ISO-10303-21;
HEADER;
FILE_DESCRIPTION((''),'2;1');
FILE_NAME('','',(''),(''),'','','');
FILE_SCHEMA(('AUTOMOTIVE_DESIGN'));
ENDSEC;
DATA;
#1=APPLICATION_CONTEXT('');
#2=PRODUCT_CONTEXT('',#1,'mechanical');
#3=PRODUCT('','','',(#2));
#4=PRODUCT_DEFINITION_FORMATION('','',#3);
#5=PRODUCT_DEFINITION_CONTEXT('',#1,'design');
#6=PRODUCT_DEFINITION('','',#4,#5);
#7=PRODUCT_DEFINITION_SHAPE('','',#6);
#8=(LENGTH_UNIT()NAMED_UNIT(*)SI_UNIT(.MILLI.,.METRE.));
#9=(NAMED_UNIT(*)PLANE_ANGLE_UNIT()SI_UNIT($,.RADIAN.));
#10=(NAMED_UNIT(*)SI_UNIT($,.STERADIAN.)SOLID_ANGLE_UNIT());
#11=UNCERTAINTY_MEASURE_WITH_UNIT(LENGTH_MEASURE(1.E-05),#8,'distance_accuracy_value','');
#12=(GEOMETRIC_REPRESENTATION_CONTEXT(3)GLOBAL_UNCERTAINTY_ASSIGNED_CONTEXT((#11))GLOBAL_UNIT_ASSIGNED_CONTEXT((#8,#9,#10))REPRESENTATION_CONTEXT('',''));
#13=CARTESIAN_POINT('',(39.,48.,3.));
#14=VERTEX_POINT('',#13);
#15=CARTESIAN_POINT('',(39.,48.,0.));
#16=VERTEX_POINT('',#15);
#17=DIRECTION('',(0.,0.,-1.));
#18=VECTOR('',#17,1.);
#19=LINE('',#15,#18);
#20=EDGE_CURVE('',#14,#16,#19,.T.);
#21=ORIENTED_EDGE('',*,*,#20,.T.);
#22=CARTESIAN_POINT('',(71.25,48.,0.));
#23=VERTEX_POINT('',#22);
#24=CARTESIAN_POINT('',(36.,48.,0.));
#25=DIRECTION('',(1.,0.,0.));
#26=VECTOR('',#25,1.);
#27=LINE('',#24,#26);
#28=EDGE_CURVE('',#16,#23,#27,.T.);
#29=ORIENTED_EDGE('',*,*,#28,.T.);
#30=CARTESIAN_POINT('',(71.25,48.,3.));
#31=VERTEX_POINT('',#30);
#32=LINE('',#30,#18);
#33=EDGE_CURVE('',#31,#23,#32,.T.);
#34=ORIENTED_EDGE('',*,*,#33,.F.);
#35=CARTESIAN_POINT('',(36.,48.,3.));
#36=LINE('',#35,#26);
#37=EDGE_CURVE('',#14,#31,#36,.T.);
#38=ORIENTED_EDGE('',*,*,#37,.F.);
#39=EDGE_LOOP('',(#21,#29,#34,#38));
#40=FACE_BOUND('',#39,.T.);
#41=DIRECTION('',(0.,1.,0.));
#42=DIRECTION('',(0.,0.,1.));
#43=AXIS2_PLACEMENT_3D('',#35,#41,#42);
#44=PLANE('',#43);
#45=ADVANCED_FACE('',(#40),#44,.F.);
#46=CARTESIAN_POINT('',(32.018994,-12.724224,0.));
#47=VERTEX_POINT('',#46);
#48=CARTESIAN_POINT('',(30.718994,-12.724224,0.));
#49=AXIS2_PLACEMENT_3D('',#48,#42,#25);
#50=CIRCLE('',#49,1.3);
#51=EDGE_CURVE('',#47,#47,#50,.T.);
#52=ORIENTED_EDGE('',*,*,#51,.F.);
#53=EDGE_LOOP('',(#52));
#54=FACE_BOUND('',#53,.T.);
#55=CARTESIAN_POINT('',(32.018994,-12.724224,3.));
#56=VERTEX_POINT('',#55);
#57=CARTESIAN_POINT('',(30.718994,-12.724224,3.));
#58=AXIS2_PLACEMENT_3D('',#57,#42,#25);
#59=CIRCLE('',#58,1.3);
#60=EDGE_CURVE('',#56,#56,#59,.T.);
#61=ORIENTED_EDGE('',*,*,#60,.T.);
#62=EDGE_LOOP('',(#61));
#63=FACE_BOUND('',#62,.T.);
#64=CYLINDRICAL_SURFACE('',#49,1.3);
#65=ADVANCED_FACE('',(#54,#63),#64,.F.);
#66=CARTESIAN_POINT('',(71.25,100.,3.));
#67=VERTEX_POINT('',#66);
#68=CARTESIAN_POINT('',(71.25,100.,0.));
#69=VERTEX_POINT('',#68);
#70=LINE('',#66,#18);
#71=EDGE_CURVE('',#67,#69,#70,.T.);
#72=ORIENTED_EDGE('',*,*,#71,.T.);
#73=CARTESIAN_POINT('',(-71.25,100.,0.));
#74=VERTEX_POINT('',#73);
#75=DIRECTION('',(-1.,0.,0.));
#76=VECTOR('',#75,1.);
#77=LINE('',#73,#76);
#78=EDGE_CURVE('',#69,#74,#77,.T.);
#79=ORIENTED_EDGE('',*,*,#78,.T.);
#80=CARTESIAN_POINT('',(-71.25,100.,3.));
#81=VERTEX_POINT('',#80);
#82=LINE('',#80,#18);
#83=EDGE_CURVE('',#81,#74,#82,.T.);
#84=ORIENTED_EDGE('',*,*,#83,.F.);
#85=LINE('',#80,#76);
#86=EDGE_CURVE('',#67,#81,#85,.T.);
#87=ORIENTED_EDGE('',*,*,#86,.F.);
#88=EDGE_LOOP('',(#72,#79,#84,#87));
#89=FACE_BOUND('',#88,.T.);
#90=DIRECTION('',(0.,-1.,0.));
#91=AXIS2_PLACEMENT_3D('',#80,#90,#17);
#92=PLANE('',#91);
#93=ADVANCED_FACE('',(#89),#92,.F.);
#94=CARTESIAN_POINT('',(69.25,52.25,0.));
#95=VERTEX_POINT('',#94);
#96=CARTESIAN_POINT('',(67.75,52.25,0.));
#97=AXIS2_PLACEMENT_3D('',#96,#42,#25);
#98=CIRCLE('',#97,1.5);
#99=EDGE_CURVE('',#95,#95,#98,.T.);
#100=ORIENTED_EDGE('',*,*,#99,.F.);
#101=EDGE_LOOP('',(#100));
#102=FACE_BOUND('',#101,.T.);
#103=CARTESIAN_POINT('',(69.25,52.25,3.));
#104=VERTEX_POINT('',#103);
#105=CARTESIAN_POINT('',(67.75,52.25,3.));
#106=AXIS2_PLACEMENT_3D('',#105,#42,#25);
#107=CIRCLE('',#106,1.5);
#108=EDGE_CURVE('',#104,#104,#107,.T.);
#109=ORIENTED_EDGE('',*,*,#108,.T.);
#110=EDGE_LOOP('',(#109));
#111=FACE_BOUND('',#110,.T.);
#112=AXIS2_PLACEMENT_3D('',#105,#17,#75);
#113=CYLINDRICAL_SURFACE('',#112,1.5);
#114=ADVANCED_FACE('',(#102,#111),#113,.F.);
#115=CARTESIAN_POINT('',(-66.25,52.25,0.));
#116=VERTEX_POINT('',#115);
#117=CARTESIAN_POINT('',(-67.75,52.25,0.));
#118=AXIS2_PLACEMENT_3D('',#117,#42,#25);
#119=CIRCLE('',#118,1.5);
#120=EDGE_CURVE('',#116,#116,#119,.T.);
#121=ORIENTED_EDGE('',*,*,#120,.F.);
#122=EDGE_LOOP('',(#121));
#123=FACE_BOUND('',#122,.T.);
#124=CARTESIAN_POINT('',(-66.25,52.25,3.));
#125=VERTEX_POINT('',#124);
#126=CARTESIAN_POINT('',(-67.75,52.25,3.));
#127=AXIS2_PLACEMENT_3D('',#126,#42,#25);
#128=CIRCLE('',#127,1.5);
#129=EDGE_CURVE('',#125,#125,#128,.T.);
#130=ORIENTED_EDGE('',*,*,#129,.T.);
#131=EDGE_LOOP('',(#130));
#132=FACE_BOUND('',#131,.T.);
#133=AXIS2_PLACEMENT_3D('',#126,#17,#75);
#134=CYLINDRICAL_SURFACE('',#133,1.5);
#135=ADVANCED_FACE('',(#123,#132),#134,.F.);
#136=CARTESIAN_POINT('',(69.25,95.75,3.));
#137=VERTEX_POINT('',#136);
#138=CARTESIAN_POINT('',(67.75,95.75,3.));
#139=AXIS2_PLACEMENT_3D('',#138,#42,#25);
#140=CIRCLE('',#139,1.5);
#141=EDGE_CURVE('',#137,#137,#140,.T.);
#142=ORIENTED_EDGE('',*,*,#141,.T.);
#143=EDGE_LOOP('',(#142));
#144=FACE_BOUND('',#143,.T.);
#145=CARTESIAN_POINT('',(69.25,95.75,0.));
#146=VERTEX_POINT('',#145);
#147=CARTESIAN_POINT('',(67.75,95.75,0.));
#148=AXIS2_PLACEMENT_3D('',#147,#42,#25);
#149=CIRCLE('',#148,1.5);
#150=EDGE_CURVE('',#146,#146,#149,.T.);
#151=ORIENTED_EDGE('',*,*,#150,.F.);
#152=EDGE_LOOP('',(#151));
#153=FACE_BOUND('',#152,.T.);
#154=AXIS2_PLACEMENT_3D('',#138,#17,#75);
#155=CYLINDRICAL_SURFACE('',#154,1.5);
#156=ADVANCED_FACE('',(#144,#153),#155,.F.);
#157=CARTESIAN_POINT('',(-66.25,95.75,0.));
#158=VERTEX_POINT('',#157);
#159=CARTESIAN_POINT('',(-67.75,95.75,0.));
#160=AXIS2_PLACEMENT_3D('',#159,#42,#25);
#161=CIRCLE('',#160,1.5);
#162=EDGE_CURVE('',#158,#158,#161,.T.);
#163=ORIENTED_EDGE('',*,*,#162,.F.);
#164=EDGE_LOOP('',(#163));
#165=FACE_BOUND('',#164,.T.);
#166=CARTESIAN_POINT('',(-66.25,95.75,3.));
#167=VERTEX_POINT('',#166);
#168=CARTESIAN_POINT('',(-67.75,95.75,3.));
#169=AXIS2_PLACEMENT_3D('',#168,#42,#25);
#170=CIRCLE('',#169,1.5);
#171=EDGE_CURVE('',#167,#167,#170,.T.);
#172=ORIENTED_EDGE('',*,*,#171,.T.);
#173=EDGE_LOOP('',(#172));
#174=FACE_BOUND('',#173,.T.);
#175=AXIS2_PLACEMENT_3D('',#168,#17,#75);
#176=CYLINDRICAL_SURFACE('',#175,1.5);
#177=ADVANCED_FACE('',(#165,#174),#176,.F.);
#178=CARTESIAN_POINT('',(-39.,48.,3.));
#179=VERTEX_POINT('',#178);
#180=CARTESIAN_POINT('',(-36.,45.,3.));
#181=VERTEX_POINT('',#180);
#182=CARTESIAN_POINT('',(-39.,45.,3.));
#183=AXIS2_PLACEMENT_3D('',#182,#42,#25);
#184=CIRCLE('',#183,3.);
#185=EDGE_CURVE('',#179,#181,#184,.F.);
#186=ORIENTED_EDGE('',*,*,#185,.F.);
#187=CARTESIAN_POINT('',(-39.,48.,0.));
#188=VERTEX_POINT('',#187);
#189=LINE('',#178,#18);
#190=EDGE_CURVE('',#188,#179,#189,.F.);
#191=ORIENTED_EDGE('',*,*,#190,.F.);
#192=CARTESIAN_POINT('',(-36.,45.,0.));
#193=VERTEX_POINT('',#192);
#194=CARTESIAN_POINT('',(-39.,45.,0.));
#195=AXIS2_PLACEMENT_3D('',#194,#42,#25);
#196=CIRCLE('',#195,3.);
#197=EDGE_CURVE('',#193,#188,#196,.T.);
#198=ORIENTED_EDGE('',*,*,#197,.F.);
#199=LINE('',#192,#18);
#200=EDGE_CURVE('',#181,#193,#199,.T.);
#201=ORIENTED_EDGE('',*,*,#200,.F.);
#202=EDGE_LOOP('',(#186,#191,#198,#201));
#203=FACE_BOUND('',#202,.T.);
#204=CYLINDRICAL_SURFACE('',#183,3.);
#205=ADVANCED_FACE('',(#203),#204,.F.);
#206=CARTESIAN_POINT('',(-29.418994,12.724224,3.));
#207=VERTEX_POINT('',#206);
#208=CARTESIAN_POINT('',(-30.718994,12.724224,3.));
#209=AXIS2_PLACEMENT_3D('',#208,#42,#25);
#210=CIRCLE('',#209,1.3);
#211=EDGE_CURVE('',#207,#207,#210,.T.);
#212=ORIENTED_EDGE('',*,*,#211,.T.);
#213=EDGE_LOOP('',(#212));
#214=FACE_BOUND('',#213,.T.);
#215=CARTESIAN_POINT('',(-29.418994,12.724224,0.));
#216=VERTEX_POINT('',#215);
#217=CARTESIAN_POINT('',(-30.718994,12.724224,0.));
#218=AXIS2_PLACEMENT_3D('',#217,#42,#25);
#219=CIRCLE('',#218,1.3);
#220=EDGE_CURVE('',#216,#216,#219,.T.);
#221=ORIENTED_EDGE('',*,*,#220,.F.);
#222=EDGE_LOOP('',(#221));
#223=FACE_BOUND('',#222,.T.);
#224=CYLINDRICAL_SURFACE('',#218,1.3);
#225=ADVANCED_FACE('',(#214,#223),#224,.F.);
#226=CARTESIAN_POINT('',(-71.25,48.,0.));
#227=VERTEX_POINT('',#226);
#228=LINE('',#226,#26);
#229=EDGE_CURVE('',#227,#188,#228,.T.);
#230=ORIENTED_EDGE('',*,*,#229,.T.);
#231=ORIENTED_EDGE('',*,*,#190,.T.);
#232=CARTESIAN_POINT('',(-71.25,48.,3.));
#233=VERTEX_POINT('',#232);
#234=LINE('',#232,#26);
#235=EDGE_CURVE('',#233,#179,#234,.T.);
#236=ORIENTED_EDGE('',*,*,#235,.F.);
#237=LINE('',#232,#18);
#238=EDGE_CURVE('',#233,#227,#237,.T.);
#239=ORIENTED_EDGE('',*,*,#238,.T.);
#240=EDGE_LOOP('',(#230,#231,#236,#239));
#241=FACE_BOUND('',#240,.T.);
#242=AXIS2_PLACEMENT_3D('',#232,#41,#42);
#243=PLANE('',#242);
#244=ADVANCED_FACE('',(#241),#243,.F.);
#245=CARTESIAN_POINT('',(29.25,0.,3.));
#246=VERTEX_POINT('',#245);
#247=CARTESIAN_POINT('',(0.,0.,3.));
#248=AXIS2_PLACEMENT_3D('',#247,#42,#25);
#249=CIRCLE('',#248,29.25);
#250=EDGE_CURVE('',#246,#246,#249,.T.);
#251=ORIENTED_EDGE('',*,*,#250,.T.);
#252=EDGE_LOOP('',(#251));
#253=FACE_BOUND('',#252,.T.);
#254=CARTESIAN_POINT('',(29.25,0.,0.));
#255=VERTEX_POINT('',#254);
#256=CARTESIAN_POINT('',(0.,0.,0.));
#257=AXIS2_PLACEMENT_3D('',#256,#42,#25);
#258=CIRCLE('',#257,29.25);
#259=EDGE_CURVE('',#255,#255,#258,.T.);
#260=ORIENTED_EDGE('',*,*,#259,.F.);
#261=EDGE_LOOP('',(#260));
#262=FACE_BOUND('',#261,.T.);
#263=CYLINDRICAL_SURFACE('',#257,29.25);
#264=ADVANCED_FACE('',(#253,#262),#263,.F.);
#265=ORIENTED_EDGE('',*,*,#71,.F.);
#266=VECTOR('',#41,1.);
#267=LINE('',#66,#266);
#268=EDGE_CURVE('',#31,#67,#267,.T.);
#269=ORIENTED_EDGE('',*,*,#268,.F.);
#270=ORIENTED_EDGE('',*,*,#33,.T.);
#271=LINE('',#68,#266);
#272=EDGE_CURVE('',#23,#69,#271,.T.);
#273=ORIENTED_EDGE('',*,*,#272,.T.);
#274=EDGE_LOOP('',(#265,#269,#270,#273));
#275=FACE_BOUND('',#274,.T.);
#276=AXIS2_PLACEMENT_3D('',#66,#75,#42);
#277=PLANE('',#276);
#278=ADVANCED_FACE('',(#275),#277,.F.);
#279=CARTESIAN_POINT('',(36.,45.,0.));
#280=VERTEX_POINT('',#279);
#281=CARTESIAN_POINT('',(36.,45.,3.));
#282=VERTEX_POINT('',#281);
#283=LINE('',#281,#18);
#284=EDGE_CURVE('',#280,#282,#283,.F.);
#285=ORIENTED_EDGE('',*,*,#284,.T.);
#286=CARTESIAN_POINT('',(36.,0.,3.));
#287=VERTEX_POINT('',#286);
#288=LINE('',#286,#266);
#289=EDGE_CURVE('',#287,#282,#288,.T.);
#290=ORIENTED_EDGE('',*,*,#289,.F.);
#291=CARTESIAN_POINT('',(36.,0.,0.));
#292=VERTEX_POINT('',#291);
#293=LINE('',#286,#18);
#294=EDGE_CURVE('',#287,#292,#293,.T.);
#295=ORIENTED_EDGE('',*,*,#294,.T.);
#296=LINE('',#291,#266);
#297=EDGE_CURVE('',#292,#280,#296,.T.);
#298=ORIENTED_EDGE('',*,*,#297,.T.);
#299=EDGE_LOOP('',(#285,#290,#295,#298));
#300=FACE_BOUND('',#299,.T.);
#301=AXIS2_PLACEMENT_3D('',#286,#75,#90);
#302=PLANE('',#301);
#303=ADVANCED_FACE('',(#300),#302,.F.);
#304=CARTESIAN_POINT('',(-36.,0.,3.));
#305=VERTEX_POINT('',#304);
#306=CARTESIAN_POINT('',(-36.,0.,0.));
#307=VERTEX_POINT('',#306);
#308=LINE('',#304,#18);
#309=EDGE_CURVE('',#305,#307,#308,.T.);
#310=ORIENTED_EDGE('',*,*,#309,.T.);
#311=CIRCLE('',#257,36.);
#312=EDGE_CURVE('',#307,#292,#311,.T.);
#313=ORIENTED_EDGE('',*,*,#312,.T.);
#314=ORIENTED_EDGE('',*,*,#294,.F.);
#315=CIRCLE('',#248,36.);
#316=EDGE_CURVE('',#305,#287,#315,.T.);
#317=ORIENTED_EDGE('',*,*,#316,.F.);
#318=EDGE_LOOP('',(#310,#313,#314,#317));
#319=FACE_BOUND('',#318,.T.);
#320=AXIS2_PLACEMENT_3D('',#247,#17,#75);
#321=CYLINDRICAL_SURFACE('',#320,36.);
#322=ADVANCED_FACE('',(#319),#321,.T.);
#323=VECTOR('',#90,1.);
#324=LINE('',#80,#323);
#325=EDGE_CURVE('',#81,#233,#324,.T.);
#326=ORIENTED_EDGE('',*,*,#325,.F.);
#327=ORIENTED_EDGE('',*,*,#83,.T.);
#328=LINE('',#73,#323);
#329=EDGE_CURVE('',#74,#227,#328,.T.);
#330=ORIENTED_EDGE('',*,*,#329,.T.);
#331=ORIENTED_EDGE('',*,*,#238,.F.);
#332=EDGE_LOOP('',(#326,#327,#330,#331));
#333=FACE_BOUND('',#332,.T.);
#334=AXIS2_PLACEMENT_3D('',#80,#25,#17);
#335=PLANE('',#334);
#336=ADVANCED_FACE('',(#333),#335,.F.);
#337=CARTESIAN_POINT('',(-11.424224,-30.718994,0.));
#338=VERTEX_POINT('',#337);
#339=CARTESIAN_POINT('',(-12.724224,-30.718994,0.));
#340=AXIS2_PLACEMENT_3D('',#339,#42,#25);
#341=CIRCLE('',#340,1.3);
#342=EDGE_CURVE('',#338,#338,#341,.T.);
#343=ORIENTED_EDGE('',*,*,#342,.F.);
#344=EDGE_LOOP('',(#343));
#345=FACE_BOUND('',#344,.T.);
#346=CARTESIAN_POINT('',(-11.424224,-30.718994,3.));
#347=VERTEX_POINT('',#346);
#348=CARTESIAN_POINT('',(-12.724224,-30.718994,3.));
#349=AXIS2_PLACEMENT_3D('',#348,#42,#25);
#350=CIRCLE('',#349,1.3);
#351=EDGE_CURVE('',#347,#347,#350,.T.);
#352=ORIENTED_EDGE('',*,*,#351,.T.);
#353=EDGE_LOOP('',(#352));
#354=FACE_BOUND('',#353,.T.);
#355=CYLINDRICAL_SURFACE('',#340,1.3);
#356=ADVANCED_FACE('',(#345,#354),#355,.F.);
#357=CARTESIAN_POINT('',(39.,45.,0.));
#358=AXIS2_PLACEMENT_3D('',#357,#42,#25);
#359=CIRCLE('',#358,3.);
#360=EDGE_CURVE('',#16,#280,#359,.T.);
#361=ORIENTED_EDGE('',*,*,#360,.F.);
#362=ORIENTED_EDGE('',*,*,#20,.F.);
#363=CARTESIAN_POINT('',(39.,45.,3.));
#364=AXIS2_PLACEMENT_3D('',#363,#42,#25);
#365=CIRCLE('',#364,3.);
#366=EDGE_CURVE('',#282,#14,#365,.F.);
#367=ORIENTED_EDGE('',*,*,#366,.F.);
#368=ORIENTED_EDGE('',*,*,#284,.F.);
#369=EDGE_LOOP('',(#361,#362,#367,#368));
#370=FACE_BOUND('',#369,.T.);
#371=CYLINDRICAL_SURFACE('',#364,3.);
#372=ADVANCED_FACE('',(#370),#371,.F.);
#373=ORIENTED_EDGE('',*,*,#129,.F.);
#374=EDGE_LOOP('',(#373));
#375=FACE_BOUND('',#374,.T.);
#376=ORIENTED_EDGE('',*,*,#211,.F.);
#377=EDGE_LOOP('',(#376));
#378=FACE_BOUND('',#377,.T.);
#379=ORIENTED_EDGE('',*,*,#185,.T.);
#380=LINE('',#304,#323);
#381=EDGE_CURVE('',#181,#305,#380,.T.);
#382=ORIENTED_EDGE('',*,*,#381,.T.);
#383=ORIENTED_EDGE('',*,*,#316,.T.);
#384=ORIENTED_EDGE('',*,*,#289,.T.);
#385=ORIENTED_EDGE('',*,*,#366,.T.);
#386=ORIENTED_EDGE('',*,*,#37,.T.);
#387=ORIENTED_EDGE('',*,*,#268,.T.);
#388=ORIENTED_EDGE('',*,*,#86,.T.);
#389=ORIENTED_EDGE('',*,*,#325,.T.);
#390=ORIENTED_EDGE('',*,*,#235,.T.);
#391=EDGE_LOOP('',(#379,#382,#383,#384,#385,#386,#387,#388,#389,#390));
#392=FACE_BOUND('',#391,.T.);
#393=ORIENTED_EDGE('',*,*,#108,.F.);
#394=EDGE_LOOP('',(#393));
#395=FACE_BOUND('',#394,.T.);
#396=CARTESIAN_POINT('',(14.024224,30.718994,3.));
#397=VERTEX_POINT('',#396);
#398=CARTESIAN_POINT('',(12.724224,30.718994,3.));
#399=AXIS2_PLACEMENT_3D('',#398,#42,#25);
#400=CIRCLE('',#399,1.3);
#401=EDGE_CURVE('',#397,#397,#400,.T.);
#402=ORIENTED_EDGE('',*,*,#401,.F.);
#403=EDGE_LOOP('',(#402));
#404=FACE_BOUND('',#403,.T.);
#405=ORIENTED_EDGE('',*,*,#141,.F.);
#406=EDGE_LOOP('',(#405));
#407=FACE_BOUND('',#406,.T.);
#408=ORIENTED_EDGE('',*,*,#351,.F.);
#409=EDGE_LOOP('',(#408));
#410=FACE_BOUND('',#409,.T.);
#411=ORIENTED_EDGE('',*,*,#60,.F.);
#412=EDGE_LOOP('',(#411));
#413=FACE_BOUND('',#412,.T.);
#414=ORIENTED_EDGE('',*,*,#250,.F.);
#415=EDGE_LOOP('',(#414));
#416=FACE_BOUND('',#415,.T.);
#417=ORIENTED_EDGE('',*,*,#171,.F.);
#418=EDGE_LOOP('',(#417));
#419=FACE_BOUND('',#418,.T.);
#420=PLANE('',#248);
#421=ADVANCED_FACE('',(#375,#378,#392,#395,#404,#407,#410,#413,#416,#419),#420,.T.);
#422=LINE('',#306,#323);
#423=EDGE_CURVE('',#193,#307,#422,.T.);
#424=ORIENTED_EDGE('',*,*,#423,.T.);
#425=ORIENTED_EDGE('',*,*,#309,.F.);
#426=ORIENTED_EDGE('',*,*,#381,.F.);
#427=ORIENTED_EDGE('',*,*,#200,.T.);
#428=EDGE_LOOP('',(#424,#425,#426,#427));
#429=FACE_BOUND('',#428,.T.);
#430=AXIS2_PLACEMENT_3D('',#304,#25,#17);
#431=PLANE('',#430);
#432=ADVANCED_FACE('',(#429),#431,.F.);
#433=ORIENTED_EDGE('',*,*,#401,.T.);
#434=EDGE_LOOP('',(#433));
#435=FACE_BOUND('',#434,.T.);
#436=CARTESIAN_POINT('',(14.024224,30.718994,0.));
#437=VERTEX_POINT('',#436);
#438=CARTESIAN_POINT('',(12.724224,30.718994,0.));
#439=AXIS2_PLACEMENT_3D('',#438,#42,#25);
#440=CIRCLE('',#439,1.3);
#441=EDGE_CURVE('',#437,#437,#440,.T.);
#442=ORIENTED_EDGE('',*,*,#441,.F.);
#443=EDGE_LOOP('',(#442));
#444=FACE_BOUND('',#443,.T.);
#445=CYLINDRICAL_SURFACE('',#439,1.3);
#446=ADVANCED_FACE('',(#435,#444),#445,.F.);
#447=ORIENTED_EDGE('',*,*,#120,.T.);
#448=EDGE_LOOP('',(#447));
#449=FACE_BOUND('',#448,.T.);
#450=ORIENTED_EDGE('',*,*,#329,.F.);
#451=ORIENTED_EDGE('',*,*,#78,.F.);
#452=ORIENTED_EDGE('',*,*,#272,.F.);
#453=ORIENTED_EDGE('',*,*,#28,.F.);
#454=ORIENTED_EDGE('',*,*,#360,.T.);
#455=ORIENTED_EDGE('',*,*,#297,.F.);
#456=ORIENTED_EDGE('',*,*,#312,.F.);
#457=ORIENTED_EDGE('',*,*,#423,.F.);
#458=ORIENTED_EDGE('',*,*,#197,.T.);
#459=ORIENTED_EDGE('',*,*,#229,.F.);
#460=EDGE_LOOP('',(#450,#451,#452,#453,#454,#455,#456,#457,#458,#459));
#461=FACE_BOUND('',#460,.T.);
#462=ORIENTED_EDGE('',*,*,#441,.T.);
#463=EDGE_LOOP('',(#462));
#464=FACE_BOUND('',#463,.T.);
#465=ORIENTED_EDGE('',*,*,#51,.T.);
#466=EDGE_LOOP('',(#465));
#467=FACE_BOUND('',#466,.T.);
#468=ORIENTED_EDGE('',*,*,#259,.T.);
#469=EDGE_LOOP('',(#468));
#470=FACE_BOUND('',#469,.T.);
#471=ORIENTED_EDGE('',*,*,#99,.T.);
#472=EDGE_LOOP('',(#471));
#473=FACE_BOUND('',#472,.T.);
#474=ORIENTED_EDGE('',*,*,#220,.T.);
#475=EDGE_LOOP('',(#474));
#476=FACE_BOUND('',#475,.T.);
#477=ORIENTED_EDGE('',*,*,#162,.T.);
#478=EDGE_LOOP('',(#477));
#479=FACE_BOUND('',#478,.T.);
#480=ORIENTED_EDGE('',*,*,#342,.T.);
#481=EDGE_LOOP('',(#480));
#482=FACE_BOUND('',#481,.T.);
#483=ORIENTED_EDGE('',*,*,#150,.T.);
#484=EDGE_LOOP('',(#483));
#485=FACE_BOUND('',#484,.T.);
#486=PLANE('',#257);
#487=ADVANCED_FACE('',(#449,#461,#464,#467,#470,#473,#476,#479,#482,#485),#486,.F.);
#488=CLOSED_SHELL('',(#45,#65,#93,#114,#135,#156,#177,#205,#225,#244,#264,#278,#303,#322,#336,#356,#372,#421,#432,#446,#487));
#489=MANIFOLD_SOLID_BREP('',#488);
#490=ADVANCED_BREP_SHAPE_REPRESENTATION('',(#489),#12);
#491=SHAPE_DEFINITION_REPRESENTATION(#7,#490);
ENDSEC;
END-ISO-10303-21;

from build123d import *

# Parameters (mm, degrees)
SKETCH1_R           = 1.5
BOSS_EXTRUDE1_DEPTH = 3
FILLET1_R           = 3
SKETCH2_R           = 29.25
SKETCH2_R_2         = 1.3
CUT_EXTRUDE1_DEPTH  = 3


with BuildPart() as part:
    # Sketch1 → Boss-Extrude1 (new body)
    with BuildSketch(Plane.XY):
        with BuildLine():
            Line((-36, 0), (-36, 48))
            Line((-36, 48), (-71.25, 48))
            Line((-71.25, 48), (-71.25, 100))
            Line((-71.25, 100), (71.25, 100))
            Line((71.25, 100), (71.25, 48))
            Line((71.25, 48), (36, 48))
            Line((36, 48), (36, 0))
            ThreePointArc((36, 0), (0, -36), (-36, 0))
        make_face()
        with Locations((-67.75, 95.75)):
            Circle(SKETCH1_R, mode=Mode.SUBTRACT)
        with Locations((67.75, 95.75)):
            Circle(SKETCH1_R, mode=Mode.SUBTRACT)
        with Locations((67.75, 52.25)):
            Circle(SKETCH1_R, mode=Mode.SUBTRACT)
        with Locations((-67.75, 52.25)):
            Circle(SKETCH1_R, mode=Mode.SUBTRACT)
    extrude(amount=BOSS_EXTRUDE1_DEPTH)

    # Fillet1
    fillet1_edges = [part.edges().sort_by_distance(p)[0] for p in [
        (36, 48, 1.5),
        (-36, 48, 1.5),
    ]]
    fillet(fillet1_edges, radius=FILLET1_R)

    # Sketch2 → Cut-Extrude1 (cut)
    with BuildSketch(Plane.XY.offset(3)):
        Circle(SKETCH2_R)
        with Locations((12.724224126, 30.718994456)):
            Circle(SKETCH2_R_2)
        with Locations((30.718994456, -12.724224126)):
            Circle(SKETCH2_R_2)
        with Locations((-12.724224126, -30.718994456)):
            Circle(SKETCH2_R_2)
        with Locations((-30.718994456, 12.724224126)):
            Circle(SKETCH2_R_2)
    extrude(amount=-CUT_EXTRUDE1_DEPTH, mode=Mode.SUBTRACT)


solid = part.part
